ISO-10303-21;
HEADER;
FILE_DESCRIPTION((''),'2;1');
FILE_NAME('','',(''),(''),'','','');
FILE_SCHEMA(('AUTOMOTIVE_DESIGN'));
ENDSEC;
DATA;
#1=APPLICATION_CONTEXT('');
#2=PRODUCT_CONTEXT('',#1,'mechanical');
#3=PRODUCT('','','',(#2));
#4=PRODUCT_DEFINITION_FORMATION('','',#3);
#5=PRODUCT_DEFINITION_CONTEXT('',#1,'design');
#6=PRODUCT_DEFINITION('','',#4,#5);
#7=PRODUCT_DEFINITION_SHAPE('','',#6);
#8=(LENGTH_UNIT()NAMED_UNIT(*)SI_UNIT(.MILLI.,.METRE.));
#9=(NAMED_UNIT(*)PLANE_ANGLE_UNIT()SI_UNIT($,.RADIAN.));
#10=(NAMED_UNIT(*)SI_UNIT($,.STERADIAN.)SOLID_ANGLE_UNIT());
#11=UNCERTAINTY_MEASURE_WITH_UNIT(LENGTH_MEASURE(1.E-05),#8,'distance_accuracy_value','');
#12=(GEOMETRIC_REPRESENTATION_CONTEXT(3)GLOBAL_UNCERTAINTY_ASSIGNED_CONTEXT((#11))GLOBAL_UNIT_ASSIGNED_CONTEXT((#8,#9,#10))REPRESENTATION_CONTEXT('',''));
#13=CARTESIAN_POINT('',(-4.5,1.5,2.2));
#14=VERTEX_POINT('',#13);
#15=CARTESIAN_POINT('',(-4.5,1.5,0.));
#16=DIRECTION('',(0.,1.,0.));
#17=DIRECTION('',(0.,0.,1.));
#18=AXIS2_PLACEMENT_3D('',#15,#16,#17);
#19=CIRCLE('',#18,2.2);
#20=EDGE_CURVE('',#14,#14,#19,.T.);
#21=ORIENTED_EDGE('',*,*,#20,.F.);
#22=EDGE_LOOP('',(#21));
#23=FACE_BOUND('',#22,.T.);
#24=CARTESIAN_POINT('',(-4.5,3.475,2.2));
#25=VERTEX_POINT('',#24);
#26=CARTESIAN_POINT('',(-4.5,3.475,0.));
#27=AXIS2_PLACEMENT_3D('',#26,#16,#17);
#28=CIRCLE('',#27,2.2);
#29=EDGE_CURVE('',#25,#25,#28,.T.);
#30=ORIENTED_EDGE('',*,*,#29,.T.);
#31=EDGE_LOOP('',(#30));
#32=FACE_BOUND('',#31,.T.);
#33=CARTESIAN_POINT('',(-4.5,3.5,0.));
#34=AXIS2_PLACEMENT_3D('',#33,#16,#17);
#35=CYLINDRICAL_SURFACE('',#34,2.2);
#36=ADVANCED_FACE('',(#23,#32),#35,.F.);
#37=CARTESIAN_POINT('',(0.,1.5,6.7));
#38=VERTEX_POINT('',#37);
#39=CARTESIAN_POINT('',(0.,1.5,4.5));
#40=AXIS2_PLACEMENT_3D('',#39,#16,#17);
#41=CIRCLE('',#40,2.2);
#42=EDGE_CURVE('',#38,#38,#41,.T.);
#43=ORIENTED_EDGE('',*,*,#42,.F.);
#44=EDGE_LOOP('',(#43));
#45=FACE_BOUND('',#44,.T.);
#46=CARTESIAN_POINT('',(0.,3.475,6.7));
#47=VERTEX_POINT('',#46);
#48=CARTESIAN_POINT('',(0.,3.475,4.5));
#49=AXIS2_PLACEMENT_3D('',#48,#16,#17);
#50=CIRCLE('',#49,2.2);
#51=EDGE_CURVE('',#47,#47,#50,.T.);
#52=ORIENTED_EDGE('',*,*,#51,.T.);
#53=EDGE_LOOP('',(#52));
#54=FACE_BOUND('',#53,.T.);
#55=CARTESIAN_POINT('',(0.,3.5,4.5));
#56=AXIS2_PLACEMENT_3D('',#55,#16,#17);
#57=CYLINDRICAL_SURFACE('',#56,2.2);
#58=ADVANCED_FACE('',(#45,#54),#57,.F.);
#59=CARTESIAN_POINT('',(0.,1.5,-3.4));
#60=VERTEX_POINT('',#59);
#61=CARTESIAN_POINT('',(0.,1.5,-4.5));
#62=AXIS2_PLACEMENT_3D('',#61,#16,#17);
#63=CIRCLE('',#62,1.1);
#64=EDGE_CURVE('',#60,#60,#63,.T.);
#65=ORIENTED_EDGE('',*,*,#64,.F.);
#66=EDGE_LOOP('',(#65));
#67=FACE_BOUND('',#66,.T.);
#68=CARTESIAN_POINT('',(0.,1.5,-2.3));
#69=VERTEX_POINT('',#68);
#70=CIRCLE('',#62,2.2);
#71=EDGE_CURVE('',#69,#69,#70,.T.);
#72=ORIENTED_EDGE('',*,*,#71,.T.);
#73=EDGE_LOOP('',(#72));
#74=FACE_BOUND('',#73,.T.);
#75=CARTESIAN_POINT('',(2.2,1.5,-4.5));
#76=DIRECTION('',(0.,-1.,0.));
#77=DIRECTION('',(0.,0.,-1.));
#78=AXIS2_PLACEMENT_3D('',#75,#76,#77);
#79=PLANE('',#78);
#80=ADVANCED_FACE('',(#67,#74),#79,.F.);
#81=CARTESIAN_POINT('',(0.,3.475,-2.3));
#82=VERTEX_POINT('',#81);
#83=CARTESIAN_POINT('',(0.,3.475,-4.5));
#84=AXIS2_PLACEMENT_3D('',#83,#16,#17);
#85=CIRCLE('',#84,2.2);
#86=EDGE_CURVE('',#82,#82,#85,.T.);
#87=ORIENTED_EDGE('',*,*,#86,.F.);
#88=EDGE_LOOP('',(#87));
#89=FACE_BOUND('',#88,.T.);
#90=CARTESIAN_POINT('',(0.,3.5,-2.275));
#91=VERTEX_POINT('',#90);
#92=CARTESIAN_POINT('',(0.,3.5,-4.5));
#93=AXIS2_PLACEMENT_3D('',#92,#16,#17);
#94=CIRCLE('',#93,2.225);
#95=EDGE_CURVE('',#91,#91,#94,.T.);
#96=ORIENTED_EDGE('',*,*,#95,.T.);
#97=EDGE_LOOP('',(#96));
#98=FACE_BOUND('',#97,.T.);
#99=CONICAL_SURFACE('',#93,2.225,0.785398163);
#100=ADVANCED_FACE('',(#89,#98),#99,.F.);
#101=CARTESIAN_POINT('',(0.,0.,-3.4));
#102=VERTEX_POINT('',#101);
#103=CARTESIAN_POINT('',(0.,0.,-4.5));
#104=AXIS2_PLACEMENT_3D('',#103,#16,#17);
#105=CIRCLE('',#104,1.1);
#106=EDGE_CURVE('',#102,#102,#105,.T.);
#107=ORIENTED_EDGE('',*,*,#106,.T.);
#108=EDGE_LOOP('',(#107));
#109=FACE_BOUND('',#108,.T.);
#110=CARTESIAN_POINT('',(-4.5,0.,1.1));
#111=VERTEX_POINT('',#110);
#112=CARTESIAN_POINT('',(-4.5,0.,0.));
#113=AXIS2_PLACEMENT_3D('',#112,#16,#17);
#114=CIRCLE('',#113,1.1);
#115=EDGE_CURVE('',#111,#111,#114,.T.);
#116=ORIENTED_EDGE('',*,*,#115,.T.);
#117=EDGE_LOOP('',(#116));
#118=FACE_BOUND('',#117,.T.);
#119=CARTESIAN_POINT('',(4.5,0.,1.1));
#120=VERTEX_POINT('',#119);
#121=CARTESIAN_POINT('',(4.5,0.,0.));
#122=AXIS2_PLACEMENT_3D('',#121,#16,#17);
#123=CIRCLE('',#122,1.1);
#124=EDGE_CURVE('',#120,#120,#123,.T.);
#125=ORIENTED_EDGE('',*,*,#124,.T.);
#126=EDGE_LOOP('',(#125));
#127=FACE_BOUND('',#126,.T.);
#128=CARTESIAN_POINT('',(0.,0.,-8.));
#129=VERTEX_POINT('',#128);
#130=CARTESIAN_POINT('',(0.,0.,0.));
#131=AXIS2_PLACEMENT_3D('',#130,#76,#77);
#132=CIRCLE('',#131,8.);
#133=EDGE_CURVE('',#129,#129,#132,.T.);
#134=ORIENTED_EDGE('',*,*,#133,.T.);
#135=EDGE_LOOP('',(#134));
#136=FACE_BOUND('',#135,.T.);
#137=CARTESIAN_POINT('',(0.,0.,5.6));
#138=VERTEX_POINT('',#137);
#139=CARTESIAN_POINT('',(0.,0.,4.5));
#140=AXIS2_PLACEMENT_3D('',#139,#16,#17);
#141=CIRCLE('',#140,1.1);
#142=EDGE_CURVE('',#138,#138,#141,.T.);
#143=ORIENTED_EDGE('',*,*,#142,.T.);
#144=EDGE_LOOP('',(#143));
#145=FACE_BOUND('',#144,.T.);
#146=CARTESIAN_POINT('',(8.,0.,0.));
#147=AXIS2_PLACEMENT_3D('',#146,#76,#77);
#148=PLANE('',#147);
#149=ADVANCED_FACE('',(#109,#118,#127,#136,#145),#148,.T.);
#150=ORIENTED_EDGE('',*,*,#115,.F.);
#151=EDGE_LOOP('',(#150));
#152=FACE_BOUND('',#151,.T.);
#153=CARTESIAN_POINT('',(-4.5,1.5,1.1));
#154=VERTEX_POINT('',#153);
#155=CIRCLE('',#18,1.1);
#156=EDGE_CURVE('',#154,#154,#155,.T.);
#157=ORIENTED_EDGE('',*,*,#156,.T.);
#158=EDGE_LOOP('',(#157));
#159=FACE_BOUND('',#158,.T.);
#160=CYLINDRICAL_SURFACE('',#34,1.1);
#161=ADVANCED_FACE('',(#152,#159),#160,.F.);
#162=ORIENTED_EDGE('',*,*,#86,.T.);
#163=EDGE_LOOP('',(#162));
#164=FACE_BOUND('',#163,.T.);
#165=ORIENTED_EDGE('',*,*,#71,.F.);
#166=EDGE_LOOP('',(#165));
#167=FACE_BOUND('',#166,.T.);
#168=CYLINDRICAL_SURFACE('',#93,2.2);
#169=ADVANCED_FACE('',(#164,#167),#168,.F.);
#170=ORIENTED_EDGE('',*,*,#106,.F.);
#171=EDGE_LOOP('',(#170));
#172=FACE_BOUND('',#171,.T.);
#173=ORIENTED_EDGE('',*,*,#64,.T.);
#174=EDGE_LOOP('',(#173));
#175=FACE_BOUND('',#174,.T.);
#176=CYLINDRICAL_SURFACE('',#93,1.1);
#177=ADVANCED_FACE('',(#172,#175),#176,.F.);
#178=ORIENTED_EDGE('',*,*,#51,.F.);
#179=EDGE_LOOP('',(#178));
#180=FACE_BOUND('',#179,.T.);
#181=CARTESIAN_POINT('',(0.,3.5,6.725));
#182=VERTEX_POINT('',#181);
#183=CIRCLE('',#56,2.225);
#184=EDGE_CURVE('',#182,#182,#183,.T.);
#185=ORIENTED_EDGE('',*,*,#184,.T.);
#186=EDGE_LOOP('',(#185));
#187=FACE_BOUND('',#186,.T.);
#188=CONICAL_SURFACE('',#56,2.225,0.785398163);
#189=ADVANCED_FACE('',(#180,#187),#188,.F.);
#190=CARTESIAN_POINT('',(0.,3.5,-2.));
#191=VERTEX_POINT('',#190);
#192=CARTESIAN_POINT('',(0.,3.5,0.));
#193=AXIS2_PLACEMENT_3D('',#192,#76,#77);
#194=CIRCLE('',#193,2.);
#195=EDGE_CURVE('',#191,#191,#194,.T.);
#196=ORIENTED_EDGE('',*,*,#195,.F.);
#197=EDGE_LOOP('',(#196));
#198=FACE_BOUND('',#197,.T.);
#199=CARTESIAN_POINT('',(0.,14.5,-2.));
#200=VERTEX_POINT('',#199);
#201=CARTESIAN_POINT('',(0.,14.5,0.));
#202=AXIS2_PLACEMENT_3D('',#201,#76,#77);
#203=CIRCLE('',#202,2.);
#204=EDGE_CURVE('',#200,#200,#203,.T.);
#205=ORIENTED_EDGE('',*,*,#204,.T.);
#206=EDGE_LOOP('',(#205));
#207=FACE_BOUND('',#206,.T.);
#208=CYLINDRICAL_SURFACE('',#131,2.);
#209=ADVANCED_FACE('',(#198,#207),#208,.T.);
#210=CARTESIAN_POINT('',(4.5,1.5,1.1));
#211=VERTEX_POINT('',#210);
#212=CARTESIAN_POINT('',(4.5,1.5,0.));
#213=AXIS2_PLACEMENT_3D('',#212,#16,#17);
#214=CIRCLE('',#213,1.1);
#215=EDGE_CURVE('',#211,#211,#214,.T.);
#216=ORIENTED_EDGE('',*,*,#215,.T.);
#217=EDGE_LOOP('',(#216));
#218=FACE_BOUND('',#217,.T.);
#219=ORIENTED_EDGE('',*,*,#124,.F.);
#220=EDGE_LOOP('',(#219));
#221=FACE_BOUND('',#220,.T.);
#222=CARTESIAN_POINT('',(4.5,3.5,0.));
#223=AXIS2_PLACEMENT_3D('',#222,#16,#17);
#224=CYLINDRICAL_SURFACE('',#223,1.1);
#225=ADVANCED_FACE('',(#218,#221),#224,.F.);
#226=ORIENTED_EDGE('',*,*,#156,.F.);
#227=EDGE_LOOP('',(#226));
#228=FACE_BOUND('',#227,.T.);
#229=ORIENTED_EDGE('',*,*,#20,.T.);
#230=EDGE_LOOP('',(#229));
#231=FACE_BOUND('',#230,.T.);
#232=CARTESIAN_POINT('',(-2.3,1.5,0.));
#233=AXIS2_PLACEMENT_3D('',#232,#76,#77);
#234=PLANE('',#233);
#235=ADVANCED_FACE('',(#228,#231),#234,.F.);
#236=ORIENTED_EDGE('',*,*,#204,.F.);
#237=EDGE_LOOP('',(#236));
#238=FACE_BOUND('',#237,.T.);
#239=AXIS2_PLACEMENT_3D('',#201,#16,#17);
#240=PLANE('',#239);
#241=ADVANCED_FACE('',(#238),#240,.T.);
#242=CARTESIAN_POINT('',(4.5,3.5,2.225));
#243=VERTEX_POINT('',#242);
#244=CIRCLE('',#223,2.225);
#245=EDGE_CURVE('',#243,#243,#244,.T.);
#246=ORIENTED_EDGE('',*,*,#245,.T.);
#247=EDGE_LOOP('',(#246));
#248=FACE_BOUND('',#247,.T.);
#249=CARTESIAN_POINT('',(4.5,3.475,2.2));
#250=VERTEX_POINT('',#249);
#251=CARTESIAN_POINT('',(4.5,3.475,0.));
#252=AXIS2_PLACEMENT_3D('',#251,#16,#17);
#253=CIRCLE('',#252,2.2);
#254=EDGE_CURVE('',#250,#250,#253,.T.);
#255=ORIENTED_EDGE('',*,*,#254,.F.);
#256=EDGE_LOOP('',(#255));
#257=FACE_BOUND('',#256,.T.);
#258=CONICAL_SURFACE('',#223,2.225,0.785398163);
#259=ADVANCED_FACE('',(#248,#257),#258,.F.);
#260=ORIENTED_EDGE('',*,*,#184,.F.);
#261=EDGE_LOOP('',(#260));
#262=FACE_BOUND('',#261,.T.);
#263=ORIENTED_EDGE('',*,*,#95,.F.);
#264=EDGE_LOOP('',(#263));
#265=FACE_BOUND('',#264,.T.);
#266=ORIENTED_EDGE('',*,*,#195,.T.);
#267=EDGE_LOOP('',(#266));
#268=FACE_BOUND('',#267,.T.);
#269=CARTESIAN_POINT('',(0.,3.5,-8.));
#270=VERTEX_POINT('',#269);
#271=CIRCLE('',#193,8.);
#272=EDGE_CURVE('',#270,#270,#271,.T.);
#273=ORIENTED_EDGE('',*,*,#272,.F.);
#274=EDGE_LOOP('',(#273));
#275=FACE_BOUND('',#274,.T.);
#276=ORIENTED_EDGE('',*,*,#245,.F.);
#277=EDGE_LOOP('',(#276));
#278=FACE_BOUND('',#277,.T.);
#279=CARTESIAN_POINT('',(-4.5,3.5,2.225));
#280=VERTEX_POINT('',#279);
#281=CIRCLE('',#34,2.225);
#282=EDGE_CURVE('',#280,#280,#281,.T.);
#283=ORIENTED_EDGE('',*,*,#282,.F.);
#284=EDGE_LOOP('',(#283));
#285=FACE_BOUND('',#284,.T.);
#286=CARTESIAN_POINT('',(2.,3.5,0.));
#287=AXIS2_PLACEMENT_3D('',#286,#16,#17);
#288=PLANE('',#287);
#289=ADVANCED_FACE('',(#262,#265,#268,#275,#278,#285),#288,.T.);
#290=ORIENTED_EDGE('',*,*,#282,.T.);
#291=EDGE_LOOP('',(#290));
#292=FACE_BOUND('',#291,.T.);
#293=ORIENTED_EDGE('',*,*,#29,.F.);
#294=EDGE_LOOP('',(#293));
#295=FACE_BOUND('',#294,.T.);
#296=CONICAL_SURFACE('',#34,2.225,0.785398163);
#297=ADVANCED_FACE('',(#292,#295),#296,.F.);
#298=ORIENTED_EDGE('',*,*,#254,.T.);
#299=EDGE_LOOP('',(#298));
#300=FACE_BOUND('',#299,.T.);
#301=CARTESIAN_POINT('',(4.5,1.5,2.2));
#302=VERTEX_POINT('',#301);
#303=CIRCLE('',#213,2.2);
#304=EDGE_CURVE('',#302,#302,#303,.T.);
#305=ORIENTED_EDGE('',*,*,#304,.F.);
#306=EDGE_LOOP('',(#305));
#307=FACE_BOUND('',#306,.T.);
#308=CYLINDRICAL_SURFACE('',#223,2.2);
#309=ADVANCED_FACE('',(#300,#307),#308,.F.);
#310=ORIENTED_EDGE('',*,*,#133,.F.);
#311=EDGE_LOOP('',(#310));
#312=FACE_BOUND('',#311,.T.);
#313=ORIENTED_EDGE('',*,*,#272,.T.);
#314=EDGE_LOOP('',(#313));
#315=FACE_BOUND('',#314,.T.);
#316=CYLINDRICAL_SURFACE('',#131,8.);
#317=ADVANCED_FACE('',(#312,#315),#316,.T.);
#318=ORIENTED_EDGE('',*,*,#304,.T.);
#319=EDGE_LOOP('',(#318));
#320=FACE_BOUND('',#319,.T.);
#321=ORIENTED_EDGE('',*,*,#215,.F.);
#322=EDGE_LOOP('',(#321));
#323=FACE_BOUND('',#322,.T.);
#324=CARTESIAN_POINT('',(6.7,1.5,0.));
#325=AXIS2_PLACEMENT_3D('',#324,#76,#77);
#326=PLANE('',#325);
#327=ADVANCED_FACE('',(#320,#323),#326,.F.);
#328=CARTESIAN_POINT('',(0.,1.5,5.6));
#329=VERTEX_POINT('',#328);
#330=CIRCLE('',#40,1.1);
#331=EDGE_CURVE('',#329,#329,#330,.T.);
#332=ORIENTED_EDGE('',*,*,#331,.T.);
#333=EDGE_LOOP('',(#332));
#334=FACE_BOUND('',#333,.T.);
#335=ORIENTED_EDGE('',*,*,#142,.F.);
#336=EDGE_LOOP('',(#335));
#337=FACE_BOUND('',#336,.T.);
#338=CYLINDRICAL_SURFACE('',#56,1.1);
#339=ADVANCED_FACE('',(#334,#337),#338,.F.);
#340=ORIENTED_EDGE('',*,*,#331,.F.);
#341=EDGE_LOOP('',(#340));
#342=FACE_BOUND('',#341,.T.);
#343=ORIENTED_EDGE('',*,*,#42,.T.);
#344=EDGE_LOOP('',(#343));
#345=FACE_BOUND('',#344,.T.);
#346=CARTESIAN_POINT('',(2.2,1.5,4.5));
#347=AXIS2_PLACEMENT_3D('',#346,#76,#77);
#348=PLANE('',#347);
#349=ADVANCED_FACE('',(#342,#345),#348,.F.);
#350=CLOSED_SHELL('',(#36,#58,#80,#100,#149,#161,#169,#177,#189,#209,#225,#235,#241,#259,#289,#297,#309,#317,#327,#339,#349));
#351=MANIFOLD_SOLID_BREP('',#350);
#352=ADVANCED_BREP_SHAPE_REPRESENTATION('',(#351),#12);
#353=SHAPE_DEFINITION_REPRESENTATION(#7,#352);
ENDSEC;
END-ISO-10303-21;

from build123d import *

# Parameters (mm, degrees)
CBORE_FOR_M2_SHCS1_AT_2_COUNT = 2
CBORE_FOR_M2_SHCS1_AT_2_PITCH = 6.363961031
CBORE_FOR_M2_SHCS1_AT_3_COUNT = 2
CBORE_FOR_M2_SHCS1_AT_3_PITCH = 9
CBORE_FOR_M2_SHCS1_AT_4_COUNT = 2
CBORE_FOR_M2_SHCS1_AT_4_PITCH = 6.363961031


with BuildPart() as part:
    # Sketch1 → Revolve1 (revolve)
    with BuildSketch(Plane.XY):
        Polygon((0, 0), (0, 14.5), (2, 14.5), (2, 3.5), (8, 3.5), (8, 0), align=None)
    revolve(axis=Axis((0, 0, 0), (0, 1, 0)))

    # Sketch5 → CBORE for M2 SHCS1 (revolve, cut)
    with BuildSketch(Plane(origin=(0, 3.5, -4.5), x_dir=(0, 0, 1), z_dir=(1, 0, 0))):
        Polygon((0, 0), (0, 3.5), (1.1, 3.5), (1.1, 2), (2.2, 2), (2.2, 0.025), (2.225, 0), align=None)
    cbore_for_m2_shcs1 = revolve(axis=Axis((0, 9.85, -4.5), (0, -1, 0)), mode=Mode.SUBTRACT)

    # CBORE for M2 SHCS1 at 2: CBORE for M2 SHCS1 ×2
    with Locations(*[Vector(0.707106781, 0, 0.707106781) * (i * CBORE_FOR_M2_SHCS1_AT_2_PITCH) for i in range(1, CBORE_FOR_M2_SHCS1_AT_2_COUNT)]):
        add(cbore_for_m2_shcs1, mode=Mode.SUBTRACT)

    # CBORE for M2 SHCS1 at 3: CBORE for M2 SHCS1 ×2
    with Locations(*[(0, 0, i * CBORE_FOR_M2_SHCS1_AT_3_PITCH) for i in range(1, CBORE_FOR_M2_SHCS1_AT_3_COUNT)]):
        add(cbore_for_m2_shcs1, mode=Mode.SUBTRACT)

    # CBORE for M2 SHCS1 at 4: CBORE for M2 SHCS1 ×2
    with Locations(*[Vector(-0.707106781, 0, 0.707106781) * (i * CBORE_FOR_M2_SHCS1_AT_4_PITCH) for i in range(1, CBORE_FOR_M2_SHCS1_AT_4_COUNT)]):
        add(cbore_for_m2_shcs1, mode=Mode.SUBTRACT)


solid = part.part
